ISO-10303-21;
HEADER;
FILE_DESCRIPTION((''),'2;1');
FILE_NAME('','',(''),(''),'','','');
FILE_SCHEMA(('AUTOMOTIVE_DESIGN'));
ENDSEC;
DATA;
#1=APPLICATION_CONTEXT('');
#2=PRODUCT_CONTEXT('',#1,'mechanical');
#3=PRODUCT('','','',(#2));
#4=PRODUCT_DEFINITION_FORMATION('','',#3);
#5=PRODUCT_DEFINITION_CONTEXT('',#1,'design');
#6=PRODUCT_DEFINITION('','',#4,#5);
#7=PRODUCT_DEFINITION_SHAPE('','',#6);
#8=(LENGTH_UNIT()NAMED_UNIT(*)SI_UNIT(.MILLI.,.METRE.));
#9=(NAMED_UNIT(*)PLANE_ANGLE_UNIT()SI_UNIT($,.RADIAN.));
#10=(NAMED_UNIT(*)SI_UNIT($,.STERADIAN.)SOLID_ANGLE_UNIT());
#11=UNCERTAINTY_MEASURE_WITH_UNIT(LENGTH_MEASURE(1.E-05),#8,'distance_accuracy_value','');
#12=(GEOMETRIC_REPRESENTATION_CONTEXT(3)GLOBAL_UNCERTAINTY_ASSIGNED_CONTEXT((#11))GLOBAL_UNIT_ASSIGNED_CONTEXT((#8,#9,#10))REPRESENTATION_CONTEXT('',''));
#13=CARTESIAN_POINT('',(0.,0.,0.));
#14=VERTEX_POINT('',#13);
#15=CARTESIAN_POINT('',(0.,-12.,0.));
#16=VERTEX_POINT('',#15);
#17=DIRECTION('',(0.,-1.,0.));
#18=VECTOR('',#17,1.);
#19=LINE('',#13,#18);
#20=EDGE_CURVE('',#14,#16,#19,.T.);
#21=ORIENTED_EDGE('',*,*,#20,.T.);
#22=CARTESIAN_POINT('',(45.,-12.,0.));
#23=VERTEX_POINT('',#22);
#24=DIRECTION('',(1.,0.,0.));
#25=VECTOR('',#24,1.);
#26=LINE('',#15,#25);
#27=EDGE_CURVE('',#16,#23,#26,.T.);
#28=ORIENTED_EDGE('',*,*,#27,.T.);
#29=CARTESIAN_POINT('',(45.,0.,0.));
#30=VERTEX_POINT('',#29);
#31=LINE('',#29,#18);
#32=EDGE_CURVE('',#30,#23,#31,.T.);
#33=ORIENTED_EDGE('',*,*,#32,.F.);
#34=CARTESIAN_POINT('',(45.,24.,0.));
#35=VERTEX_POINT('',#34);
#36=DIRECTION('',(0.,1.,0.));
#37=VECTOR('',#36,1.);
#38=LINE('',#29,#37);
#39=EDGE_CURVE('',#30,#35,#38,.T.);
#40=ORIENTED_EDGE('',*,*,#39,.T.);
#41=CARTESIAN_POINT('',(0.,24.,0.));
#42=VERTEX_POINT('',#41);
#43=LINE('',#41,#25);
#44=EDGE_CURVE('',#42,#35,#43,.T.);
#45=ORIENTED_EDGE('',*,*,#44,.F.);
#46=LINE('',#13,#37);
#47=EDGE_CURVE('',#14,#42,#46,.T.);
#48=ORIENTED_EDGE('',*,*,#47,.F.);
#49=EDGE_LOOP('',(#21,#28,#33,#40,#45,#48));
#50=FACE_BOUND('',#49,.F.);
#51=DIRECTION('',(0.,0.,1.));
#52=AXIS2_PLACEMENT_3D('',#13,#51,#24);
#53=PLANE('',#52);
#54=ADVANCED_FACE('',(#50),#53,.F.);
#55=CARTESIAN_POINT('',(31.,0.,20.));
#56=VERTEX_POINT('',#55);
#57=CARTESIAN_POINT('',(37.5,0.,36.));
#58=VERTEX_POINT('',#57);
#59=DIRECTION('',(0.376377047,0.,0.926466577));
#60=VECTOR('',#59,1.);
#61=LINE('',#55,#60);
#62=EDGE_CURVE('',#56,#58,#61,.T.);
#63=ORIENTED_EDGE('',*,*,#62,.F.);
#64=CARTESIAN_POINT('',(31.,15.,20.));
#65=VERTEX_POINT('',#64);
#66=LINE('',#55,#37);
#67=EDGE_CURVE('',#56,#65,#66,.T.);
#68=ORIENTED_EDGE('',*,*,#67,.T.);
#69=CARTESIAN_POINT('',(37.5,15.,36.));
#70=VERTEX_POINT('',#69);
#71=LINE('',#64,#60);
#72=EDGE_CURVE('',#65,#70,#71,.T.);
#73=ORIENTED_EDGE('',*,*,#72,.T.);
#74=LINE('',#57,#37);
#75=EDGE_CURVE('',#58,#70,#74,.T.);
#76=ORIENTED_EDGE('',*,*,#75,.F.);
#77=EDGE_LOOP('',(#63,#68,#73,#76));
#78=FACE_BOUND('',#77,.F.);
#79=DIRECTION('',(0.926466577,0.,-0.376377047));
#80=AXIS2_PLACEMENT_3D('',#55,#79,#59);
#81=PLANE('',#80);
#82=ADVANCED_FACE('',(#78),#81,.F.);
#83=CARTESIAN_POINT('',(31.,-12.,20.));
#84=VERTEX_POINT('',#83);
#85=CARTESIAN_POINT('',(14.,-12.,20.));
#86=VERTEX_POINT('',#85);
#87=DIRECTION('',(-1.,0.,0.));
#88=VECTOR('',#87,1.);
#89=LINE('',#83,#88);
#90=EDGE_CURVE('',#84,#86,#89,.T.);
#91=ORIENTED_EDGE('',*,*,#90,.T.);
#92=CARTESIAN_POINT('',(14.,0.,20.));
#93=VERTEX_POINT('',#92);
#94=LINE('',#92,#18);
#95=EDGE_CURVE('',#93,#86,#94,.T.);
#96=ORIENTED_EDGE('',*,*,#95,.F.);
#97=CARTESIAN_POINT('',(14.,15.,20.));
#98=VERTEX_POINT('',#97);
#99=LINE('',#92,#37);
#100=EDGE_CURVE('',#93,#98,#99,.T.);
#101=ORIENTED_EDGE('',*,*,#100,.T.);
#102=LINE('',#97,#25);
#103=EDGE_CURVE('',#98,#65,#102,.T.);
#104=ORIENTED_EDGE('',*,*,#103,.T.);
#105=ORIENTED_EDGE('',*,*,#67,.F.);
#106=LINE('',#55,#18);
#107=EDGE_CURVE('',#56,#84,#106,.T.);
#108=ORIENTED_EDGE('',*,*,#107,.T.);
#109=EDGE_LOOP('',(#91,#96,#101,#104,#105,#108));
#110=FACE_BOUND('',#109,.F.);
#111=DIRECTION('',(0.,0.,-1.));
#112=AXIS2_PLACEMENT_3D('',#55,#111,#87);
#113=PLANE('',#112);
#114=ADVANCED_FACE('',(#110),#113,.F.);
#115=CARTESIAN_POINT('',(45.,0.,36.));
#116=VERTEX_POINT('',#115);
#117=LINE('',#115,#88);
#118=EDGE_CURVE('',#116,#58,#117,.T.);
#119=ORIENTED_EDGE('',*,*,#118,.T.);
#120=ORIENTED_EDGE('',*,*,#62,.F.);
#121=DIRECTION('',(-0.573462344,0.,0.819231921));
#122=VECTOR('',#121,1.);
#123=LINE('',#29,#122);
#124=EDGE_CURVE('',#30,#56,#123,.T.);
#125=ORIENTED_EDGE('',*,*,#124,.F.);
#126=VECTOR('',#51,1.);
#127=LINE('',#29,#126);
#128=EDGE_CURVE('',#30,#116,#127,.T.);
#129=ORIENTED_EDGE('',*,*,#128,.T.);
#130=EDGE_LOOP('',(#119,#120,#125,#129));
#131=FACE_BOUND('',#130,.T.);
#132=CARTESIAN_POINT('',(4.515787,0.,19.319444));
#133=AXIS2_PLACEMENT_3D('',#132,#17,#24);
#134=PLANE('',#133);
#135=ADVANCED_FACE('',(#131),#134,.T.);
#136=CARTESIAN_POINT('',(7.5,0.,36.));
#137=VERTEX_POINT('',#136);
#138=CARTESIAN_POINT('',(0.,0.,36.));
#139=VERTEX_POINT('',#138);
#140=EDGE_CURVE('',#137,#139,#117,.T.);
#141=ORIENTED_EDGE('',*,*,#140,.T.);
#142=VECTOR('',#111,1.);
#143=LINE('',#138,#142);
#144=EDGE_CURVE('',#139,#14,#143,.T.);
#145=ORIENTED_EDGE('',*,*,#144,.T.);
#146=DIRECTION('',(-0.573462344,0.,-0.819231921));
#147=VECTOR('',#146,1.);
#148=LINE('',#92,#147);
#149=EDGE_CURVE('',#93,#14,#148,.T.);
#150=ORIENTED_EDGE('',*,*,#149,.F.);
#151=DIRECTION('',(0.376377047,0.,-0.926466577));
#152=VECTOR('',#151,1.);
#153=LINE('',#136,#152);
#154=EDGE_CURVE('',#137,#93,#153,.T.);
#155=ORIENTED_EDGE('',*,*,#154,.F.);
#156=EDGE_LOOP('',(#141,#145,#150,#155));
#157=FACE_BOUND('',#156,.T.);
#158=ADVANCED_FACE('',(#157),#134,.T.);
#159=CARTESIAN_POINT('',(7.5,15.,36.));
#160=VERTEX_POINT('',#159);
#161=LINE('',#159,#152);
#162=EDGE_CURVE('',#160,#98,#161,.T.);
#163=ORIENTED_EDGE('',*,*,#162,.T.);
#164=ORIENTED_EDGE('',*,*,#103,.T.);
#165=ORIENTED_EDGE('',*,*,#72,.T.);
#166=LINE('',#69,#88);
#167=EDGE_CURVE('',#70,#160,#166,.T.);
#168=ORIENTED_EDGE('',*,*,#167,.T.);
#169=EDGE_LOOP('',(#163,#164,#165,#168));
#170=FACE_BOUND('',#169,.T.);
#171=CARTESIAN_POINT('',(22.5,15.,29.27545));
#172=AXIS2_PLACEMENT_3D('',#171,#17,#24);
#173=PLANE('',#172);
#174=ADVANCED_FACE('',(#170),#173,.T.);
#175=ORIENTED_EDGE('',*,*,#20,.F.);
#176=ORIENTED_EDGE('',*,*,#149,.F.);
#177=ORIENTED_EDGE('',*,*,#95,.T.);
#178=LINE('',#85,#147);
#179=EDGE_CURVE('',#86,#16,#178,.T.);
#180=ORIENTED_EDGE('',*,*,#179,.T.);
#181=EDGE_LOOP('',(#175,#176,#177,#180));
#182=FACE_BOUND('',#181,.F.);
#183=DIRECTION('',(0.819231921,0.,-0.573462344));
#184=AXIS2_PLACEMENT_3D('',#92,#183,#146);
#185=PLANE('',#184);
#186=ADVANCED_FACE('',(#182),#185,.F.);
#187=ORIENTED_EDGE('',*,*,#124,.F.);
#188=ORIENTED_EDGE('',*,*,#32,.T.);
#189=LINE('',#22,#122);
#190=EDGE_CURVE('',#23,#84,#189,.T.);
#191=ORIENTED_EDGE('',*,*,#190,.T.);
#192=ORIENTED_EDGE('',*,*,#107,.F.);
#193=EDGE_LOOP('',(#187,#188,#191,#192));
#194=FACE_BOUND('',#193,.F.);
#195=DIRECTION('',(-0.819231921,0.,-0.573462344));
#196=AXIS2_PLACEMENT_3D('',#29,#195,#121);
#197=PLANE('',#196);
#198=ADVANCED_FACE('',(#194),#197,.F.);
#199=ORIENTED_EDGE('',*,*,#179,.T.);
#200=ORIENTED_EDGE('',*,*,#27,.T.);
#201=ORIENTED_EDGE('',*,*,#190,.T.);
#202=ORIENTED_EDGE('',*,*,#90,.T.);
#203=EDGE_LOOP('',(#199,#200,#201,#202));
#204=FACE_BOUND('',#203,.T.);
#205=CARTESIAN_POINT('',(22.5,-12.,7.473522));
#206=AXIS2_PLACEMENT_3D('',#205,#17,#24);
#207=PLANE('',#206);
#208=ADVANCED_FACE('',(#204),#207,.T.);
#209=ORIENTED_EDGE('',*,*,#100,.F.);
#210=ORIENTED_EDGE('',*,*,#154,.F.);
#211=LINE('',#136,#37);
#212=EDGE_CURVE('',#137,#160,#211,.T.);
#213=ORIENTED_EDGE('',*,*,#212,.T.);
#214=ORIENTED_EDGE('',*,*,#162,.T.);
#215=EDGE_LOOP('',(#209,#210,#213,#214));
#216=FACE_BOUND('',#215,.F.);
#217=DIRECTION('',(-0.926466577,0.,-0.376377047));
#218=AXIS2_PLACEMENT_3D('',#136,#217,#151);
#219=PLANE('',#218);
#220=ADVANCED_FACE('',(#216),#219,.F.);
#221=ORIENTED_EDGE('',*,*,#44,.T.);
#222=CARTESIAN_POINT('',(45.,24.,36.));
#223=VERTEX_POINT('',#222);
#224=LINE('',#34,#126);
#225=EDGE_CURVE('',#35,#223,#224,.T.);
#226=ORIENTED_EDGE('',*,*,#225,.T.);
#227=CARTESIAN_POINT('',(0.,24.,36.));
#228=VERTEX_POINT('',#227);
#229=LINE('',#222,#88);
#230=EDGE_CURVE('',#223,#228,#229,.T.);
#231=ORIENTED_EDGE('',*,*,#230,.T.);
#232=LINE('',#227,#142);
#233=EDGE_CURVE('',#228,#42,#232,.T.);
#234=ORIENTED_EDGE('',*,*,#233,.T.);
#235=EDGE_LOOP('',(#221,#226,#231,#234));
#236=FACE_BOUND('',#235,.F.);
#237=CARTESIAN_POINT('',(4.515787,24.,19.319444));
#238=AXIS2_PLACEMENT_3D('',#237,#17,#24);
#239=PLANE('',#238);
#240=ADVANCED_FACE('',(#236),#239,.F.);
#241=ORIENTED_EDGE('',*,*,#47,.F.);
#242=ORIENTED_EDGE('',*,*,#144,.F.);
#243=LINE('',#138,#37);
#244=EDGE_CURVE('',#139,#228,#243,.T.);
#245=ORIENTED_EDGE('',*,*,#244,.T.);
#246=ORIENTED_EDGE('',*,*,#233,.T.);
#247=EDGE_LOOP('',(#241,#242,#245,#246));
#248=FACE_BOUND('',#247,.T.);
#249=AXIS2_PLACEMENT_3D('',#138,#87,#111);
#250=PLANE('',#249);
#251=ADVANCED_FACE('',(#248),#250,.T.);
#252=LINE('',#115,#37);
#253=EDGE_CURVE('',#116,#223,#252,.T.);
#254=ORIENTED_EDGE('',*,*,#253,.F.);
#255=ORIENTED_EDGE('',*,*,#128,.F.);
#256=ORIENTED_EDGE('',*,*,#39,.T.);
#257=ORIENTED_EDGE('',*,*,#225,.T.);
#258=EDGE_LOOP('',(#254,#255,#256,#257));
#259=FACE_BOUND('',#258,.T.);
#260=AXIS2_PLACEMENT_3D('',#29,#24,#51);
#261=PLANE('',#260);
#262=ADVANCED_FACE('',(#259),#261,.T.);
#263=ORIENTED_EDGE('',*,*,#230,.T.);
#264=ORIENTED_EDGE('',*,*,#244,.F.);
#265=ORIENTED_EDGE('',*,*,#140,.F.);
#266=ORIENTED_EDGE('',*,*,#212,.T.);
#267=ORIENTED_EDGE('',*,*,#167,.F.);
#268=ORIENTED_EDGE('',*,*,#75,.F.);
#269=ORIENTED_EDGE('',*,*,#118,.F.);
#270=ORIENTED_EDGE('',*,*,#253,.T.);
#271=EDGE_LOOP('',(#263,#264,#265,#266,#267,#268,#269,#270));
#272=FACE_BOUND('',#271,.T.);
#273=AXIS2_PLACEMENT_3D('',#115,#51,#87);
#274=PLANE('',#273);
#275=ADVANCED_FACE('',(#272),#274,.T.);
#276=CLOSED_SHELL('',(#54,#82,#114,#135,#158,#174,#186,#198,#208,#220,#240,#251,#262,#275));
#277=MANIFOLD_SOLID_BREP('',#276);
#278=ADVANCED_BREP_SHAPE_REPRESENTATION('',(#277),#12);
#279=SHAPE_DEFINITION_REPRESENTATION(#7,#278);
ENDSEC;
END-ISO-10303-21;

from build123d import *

# Parameters (mm, degrees)
F1_DEPTH = 24
F2_DEPTH = 15
F3_DEPTH = 12


with BuildPart() as f1:
    # F0 (on Front) → F1 (new body)
    with BuildSketch(Plane.XZ):
        Polygon((0, 36), (0, 0), (14, 20), (7.5, 36), align=None)
        Polygon((7.5, 36), (14, 20), (31, 20), (37.5, 36), align=None)
        Polygon((31, 20), (45, 0), (45, 36), (37.5, 36), align=None)
        Polygon((14, 20), (0, 0), (45, 0), (31, 20), align=None)
    extrude(amount=-F1_DEPTH)

    # F0 (on Front) → F2 (cut)
    with BuildSketch(Plane.XZ):
        Polygon((7.5, 36), (14, 20), (31, 20), (37.5, 36), align=None)
    extrude(amount=-F2_DEPTH, mode=Mode.SUBTRACT)

    # F0 (on Front) → F3 (join)
    with BuildSketch(Plane.XZ):
        Polygon((14, 20), (0, 0), (45, 0), (31, 20), align=None)
    extrude(amount=F3_DEPTH)


solid = f1.part
